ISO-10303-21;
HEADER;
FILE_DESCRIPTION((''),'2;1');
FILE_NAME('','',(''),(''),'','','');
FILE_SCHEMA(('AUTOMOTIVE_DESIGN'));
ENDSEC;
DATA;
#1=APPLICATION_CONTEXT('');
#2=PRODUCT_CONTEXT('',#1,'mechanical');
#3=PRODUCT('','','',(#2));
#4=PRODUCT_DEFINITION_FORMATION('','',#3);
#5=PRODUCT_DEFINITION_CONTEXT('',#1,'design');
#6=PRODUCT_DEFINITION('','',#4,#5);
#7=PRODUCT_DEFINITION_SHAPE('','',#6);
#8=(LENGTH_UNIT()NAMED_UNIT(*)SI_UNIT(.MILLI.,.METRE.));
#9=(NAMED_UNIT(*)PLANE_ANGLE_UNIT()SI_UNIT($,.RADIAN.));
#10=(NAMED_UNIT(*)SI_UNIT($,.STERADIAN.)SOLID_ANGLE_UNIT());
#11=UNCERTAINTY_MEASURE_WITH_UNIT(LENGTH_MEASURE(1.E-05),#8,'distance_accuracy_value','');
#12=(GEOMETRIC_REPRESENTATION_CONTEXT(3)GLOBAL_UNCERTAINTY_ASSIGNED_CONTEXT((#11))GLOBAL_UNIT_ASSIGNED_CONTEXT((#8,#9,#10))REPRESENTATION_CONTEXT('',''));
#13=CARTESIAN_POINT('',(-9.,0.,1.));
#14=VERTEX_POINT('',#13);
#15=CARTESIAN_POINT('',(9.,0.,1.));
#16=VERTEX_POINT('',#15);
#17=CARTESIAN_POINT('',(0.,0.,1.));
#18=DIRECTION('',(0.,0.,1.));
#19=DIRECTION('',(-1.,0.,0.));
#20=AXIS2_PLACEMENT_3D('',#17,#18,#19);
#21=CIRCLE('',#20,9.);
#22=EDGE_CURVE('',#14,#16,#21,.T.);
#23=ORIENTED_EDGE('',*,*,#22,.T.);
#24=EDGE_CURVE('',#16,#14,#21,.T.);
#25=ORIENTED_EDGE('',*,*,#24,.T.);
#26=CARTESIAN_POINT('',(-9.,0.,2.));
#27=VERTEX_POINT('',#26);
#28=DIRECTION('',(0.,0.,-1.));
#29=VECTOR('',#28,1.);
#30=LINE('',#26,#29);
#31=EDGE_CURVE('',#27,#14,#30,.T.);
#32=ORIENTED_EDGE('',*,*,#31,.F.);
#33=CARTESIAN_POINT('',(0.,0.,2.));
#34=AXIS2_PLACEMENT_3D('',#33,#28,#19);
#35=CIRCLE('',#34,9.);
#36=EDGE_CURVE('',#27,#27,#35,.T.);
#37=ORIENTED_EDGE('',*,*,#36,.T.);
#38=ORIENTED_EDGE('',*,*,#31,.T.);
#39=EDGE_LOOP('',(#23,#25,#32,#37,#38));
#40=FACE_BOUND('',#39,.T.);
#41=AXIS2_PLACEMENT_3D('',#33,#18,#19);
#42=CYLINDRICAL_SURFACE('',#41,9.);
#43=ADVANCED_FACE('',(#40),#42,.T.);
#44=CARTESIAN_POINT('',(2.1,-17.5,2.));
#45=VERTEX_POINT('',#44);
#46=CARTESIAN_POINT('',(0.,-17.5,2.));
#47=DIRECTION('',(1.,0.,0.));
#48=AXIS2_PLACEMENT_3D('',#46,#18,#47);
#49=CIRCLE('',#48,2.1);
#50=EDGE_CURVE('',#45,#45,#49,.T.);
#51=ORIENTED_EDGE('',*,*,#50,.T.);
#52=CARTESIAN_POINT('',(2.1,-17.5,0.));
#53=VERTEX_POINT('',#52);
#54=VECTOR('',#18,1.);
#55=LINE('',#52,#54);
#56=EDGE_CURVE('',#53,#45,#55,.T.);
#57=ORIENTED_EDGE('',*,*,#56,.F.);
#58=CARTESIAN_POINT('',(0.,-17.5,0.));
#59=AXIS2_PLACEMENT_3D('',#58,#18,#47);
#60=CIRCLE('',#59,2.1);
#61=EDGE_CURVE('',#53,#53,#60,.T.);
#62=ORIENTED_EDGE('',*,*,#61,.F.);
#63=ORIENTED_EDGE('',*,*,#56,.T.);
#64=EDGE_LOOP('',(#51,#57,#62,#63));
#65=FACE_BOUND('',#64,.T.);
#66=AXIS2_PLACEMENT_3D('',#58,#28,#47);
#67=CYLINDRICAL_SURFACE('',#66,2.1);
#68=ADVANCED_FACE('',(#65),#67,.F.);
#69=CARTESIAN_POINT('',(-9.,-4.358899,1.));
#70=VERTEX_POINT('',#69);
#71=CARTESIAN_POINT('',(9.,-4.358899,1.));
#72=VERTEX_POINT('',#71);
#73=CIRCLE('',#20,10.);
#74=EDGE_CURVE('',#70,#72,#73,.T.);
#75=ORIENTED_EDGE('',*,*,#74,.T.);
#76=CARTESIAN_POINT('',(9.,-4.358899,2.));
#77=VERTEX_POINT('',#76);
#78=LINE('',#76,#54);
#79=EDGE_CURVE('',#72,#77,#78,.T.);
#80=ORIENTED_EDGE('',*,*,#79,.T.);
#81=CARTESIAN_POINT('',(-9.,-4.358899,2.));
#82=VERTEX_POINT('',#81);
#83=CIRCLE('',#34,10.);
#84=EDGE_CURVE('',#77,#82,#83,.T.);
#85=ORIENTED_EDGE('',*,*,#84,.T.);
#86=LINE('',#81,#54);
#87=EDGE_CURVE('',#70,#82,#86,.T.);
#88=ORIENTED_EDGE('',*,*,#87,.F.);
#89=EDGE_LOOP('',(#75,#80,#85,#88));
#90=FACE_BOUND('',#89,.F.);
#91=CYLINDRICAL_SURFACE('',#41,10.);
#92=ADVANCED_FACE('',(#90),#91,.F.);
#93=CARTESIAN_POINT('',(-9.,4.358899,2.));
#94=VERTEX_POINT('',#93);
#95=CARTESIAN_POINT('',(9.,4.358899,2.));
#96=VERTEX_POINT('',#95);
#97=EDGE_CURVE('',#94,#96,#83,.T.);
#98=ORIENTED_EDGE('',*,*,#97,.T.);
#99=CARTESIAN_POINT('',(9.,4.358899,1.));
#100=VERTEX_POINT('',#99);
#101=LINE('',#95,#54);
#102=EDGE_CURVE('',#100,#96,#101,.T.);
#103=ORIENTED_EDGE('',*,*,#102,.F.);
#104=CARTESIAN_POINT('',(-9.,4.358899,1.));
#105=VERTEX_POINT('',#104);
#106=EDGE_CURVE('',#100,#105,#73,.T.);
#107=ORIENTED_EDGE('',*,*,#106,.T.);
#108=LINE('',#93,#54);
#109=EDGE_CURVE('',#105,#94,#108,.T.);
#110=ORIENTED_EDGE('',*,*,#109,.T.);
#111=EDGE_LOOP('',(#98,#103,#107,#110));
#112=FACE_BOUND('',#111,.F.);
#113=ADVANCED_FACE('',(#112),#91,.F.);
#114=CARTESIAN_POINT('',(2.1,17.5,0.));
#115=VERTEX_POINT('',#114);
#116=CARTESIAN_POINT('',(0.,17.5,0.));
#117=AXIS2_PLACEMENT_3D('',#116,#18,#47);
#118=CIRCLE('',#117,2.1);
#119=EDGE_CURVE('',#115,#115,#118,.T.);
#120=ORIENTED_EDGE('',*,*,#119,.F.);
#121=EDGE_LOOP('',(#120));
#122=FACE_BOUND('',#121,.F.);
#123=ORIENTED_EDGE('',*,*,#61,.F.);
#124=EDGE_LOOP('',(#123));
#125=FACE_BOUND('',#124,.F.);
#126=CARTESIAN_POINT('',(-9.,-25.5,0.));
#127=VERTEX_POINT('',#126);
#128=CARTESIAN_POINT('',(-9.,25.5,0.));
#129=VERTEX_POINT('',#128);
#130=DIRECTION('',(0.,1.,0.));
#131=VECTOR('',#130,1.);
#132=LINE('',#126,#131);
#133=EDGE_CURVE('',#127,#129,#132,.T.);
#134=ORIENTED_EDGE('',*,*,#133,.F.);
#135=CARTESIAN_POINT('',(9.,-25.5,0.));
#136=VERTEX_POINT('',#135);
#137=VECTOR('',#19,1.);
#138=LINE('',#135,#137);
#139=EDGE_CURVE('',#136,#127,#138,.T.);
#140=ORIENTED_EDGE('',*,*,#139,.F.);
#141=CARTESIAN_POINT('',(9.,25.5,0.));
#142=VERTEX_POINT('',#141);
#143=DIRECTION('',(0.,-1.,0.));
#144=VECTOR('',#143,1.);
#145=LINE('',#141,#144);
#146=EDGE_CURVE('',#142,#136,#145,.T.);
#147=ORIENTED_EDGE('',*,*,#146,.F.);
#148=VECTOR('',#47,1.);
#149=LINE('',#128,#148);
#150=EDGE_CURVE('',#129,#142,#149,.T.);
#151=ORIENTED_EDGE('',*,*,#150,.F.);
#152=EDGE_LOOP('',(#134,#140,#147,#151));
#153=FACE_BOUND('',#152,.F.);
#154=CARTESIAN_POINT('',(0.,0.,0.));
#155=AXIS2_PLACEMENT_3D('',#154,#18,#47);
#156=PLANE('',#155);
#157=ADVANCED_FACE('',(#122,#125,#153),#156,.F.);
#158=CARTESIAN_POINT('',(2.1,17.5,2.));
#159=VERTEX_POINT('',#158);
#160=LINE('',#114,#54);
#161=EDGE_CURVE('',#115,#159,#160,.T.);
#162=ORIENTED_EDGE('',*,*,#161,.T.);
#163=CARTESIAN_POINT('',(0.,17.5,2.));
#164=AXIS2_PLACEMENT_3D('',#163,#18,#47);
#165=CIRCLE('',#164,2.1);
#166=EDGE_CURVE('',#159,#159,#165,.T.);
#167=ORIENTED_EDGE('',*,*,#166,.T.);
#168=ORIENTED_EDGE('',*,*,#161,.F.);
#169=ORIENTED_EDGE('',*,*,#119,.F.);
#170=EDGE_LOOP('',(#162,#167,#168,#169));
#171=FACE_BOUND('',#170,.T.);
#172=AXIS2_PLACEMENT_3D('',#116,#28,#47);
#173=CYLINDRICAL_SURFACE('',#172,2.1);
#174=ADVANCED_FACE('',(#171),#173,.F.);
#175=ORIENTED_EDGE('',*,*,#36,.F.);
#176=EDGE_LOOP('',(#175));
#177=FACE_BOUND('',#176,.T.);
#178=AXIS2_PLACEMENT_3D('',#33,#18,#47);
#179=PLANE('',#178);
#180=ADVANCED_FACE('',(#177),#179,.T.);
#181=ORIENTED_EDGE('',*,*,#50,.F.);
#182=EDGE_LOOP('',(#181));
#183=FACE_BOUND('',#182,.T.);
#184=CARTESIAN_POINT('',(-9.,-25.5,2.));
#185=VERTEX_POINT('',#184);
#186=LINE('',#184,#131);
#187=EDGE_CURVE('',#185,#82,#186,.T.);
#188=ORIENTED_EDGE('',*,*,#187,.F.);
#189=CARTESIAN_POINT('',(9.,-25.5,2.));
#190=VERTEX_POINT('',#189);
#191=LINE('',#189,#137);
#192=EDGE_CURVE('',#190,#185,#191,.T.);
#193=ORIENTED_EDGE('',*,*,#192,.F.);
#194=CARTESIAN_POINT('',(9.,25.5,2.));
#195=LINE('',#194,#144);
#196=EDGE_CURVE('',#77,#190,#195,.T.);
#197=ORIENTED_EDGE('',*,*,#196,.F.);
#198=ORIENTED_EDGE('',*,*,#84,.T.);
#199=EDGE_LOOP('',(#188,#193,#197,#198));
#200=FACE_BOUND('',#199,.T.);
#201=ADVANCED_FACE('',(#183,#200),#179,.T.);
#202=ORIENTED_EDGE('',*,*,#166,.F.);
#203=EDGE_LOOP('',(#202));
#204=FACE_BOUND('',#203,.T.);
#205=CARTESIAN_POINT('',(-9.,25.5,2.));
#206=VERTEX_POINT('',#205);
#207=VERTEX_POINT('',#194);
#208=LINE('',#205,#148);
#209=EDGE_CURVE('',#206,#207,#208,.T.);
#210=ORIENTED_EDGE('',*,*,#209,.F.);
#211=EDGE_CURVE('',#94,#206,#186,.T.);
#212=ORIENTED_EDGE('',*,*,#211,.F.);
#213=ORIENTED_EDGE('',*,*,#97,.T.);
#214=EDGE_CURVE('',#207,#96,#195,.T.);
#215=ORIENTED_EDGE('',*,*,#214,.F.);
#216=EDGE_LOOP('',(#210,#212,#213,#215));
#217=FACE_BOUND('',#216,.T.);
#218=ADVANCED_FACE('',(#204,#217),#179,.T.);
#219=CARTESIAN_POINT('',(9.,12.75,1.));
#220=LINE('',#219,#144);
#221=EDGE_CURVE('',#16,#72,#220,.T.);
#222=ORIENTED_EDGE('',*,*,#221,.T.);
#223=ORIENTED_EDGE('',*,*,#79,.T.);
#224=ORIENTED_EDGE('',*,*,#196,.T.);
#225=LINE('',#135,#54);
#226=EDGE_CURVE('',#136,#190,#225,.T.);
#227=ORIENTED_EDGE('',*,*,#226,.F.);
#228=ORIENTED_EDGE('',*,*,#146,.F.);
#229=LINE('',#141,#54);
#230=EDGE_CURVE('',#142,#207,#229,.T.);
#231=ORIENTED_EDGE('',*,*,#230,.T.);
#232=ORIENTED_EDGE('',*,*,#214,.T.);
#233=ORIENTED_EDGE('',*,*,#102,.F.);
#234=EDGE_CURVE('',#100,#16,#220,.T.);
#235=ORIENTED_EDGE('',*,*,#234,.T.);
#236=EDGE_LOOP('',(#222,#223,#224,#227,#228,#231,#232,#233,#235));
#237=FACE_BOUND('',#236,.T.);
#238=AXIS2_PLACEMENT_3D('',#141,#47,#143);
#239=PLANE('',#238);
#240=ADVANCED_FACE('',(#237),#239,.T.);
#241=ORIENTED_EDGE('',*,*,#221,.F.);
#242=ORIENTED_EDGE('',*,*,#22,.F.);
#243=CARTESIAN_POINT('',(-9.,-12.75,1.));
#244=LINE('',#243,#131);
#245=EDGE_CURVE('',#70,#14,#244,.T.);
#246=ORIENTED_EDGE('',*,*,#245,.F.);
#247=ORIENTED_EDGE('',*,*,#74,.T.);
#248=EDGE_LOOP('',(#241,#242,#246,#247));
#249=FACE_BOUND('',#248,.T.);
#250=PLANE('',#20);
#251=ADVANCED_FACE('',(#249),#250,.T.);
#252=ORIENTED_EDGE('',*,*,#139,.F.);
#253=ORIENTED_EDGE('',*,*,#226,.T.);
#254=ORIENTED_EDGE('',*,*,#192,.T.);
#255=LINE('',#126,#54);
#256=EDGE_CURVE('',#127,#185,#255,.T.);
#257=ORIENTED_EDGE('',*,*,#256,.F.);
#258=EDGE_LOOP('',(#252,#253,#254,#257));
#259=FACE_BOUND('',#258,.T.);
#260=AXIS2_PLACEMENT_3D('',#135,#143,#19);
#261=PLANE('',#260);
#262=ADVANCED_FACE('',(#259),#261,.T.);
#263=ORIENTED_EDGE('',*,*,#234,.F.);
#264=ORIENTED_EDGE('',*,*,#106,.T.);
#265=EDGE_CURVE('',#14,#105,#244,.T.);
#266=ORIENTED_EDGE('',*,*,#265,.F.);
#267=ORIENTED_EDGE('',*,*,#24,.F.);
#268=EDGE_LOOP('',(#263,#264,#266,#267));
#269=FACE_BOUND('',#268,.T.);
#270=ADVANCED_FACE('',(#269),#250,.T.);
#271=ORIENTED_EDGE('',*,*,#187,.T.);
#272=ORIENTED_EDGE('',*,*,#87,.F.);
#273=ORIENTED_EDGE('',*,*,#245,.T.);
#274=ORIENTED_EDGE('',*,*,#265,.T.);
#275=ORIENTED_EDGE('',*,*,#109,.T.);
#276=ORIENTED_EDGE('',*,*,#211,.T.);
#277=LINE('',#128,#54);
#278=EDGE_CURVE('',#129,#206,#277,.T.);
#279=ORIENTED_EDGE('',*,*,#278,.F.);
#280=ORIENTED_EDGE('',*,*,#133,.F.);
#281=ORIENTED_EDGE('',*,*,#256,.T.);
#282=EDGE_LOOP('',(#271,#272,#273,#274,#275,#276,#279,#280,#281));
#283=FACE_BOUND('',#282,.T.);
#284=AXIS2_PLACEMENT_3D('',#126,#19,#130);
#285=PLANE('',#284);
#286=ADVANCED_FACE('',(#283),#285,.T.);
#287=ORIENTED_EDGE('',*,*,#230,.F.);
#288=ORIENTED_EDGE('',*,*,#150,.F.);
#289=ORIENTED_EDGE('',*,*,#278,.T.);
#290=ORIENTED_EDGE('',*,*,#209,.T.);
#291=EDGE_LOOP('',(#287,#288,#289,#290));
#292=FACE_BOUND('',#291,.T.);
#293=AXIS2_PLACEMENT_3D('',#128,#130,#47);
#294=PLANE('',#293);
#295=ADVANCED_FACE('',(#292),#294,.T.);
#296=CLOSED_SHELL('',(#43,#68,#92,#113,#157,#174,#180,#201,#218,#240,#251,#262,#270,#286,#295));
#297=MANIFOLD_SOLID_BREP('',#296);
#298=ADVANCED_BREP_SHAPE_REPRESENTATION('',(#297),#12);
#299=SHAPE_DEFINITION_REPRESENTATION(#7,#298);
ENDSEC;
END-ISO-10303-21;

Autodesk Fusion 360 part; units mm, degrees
sketch "Sketch2" plane through (0, 0, 0) normal (0, 0, 1) x (1, 0, 0)
  line L0 (9, -25.5) -> (-9, -25.5)
  line L1 (-9, -25.5) -> (-9, 25.5)
  line L2 (-9, 25.5) -> (9, 25.5)
  line L3 (9, 25.5) -> (9, -25.5)
  line L4 (9, -25.5) -> (-9, 25.5) construction
  line L5 (-9, -25.5) -> (9, 25.5) construction
  line L6 (0, -25.5) -> (0, -17.5) construction
  line L7 (0, 25.5) -> (0, 17.5) construction
  circle A0 centre (0, 17.5) radius 2.1
  circle A1 centre (0, -17.5) radius 2.1
  dimension "d17" = 18
  dimension "d18" = 51
  dimension "d19" = 8
  dimension "d20" = 8
  dimension "d21" = 4.2
  dimension "d22" = 4.2
extrude "Extrude3" add sketch "Sketch2" along normal blind 2
sketch "Sketch3" plane through (0, 0, 2) normal (0, 0, 1) x (-1, 0, 0)
  circle A0 centre (0, -17.5) radius 2.1
  circle A1 centre (0, 17.5) radius 2.1
  line L0 (-9, -25.5) -> (9, -25.5)
  line L1 (9, -25.5) -> (9, 25.5)
  line L2 (9, 25.5) -> (-9, 25.5)
  line L3 (-9, 25.5) -> (-9, -25.5)
  circle A2 centre (0, 0) radius 9
  dimension "d25" = 18
sketch "Sketch4" plane through (0, 0, 2) normal (0, 0, 1) x (-1, 0, 0)
  line L0 (-9, 25.5) -> (-9, -25.5)
  line L1 (-9, -25.5) -> (9, -25.5)
  line L2 (9, -25.5) -> (9, 25.5)
  circle A0 centre (0, -17.5) radius 2.1
  circle A1 centre (0, 0) radius 9
  circle A2 centre (0, 0) radius 10
  circle A3 centre (0, 17.5) radius 2.1
  line L3 (9, 25.5) -> (-9, 25.5)
  dimension "d28" = 20
extrude "Extrude5" cut sketch "Sketch4" against normal blind 1 contours L0 L2 A1 A2 | L0 A2 | L0 L2 A1 A2 | L2 A2
